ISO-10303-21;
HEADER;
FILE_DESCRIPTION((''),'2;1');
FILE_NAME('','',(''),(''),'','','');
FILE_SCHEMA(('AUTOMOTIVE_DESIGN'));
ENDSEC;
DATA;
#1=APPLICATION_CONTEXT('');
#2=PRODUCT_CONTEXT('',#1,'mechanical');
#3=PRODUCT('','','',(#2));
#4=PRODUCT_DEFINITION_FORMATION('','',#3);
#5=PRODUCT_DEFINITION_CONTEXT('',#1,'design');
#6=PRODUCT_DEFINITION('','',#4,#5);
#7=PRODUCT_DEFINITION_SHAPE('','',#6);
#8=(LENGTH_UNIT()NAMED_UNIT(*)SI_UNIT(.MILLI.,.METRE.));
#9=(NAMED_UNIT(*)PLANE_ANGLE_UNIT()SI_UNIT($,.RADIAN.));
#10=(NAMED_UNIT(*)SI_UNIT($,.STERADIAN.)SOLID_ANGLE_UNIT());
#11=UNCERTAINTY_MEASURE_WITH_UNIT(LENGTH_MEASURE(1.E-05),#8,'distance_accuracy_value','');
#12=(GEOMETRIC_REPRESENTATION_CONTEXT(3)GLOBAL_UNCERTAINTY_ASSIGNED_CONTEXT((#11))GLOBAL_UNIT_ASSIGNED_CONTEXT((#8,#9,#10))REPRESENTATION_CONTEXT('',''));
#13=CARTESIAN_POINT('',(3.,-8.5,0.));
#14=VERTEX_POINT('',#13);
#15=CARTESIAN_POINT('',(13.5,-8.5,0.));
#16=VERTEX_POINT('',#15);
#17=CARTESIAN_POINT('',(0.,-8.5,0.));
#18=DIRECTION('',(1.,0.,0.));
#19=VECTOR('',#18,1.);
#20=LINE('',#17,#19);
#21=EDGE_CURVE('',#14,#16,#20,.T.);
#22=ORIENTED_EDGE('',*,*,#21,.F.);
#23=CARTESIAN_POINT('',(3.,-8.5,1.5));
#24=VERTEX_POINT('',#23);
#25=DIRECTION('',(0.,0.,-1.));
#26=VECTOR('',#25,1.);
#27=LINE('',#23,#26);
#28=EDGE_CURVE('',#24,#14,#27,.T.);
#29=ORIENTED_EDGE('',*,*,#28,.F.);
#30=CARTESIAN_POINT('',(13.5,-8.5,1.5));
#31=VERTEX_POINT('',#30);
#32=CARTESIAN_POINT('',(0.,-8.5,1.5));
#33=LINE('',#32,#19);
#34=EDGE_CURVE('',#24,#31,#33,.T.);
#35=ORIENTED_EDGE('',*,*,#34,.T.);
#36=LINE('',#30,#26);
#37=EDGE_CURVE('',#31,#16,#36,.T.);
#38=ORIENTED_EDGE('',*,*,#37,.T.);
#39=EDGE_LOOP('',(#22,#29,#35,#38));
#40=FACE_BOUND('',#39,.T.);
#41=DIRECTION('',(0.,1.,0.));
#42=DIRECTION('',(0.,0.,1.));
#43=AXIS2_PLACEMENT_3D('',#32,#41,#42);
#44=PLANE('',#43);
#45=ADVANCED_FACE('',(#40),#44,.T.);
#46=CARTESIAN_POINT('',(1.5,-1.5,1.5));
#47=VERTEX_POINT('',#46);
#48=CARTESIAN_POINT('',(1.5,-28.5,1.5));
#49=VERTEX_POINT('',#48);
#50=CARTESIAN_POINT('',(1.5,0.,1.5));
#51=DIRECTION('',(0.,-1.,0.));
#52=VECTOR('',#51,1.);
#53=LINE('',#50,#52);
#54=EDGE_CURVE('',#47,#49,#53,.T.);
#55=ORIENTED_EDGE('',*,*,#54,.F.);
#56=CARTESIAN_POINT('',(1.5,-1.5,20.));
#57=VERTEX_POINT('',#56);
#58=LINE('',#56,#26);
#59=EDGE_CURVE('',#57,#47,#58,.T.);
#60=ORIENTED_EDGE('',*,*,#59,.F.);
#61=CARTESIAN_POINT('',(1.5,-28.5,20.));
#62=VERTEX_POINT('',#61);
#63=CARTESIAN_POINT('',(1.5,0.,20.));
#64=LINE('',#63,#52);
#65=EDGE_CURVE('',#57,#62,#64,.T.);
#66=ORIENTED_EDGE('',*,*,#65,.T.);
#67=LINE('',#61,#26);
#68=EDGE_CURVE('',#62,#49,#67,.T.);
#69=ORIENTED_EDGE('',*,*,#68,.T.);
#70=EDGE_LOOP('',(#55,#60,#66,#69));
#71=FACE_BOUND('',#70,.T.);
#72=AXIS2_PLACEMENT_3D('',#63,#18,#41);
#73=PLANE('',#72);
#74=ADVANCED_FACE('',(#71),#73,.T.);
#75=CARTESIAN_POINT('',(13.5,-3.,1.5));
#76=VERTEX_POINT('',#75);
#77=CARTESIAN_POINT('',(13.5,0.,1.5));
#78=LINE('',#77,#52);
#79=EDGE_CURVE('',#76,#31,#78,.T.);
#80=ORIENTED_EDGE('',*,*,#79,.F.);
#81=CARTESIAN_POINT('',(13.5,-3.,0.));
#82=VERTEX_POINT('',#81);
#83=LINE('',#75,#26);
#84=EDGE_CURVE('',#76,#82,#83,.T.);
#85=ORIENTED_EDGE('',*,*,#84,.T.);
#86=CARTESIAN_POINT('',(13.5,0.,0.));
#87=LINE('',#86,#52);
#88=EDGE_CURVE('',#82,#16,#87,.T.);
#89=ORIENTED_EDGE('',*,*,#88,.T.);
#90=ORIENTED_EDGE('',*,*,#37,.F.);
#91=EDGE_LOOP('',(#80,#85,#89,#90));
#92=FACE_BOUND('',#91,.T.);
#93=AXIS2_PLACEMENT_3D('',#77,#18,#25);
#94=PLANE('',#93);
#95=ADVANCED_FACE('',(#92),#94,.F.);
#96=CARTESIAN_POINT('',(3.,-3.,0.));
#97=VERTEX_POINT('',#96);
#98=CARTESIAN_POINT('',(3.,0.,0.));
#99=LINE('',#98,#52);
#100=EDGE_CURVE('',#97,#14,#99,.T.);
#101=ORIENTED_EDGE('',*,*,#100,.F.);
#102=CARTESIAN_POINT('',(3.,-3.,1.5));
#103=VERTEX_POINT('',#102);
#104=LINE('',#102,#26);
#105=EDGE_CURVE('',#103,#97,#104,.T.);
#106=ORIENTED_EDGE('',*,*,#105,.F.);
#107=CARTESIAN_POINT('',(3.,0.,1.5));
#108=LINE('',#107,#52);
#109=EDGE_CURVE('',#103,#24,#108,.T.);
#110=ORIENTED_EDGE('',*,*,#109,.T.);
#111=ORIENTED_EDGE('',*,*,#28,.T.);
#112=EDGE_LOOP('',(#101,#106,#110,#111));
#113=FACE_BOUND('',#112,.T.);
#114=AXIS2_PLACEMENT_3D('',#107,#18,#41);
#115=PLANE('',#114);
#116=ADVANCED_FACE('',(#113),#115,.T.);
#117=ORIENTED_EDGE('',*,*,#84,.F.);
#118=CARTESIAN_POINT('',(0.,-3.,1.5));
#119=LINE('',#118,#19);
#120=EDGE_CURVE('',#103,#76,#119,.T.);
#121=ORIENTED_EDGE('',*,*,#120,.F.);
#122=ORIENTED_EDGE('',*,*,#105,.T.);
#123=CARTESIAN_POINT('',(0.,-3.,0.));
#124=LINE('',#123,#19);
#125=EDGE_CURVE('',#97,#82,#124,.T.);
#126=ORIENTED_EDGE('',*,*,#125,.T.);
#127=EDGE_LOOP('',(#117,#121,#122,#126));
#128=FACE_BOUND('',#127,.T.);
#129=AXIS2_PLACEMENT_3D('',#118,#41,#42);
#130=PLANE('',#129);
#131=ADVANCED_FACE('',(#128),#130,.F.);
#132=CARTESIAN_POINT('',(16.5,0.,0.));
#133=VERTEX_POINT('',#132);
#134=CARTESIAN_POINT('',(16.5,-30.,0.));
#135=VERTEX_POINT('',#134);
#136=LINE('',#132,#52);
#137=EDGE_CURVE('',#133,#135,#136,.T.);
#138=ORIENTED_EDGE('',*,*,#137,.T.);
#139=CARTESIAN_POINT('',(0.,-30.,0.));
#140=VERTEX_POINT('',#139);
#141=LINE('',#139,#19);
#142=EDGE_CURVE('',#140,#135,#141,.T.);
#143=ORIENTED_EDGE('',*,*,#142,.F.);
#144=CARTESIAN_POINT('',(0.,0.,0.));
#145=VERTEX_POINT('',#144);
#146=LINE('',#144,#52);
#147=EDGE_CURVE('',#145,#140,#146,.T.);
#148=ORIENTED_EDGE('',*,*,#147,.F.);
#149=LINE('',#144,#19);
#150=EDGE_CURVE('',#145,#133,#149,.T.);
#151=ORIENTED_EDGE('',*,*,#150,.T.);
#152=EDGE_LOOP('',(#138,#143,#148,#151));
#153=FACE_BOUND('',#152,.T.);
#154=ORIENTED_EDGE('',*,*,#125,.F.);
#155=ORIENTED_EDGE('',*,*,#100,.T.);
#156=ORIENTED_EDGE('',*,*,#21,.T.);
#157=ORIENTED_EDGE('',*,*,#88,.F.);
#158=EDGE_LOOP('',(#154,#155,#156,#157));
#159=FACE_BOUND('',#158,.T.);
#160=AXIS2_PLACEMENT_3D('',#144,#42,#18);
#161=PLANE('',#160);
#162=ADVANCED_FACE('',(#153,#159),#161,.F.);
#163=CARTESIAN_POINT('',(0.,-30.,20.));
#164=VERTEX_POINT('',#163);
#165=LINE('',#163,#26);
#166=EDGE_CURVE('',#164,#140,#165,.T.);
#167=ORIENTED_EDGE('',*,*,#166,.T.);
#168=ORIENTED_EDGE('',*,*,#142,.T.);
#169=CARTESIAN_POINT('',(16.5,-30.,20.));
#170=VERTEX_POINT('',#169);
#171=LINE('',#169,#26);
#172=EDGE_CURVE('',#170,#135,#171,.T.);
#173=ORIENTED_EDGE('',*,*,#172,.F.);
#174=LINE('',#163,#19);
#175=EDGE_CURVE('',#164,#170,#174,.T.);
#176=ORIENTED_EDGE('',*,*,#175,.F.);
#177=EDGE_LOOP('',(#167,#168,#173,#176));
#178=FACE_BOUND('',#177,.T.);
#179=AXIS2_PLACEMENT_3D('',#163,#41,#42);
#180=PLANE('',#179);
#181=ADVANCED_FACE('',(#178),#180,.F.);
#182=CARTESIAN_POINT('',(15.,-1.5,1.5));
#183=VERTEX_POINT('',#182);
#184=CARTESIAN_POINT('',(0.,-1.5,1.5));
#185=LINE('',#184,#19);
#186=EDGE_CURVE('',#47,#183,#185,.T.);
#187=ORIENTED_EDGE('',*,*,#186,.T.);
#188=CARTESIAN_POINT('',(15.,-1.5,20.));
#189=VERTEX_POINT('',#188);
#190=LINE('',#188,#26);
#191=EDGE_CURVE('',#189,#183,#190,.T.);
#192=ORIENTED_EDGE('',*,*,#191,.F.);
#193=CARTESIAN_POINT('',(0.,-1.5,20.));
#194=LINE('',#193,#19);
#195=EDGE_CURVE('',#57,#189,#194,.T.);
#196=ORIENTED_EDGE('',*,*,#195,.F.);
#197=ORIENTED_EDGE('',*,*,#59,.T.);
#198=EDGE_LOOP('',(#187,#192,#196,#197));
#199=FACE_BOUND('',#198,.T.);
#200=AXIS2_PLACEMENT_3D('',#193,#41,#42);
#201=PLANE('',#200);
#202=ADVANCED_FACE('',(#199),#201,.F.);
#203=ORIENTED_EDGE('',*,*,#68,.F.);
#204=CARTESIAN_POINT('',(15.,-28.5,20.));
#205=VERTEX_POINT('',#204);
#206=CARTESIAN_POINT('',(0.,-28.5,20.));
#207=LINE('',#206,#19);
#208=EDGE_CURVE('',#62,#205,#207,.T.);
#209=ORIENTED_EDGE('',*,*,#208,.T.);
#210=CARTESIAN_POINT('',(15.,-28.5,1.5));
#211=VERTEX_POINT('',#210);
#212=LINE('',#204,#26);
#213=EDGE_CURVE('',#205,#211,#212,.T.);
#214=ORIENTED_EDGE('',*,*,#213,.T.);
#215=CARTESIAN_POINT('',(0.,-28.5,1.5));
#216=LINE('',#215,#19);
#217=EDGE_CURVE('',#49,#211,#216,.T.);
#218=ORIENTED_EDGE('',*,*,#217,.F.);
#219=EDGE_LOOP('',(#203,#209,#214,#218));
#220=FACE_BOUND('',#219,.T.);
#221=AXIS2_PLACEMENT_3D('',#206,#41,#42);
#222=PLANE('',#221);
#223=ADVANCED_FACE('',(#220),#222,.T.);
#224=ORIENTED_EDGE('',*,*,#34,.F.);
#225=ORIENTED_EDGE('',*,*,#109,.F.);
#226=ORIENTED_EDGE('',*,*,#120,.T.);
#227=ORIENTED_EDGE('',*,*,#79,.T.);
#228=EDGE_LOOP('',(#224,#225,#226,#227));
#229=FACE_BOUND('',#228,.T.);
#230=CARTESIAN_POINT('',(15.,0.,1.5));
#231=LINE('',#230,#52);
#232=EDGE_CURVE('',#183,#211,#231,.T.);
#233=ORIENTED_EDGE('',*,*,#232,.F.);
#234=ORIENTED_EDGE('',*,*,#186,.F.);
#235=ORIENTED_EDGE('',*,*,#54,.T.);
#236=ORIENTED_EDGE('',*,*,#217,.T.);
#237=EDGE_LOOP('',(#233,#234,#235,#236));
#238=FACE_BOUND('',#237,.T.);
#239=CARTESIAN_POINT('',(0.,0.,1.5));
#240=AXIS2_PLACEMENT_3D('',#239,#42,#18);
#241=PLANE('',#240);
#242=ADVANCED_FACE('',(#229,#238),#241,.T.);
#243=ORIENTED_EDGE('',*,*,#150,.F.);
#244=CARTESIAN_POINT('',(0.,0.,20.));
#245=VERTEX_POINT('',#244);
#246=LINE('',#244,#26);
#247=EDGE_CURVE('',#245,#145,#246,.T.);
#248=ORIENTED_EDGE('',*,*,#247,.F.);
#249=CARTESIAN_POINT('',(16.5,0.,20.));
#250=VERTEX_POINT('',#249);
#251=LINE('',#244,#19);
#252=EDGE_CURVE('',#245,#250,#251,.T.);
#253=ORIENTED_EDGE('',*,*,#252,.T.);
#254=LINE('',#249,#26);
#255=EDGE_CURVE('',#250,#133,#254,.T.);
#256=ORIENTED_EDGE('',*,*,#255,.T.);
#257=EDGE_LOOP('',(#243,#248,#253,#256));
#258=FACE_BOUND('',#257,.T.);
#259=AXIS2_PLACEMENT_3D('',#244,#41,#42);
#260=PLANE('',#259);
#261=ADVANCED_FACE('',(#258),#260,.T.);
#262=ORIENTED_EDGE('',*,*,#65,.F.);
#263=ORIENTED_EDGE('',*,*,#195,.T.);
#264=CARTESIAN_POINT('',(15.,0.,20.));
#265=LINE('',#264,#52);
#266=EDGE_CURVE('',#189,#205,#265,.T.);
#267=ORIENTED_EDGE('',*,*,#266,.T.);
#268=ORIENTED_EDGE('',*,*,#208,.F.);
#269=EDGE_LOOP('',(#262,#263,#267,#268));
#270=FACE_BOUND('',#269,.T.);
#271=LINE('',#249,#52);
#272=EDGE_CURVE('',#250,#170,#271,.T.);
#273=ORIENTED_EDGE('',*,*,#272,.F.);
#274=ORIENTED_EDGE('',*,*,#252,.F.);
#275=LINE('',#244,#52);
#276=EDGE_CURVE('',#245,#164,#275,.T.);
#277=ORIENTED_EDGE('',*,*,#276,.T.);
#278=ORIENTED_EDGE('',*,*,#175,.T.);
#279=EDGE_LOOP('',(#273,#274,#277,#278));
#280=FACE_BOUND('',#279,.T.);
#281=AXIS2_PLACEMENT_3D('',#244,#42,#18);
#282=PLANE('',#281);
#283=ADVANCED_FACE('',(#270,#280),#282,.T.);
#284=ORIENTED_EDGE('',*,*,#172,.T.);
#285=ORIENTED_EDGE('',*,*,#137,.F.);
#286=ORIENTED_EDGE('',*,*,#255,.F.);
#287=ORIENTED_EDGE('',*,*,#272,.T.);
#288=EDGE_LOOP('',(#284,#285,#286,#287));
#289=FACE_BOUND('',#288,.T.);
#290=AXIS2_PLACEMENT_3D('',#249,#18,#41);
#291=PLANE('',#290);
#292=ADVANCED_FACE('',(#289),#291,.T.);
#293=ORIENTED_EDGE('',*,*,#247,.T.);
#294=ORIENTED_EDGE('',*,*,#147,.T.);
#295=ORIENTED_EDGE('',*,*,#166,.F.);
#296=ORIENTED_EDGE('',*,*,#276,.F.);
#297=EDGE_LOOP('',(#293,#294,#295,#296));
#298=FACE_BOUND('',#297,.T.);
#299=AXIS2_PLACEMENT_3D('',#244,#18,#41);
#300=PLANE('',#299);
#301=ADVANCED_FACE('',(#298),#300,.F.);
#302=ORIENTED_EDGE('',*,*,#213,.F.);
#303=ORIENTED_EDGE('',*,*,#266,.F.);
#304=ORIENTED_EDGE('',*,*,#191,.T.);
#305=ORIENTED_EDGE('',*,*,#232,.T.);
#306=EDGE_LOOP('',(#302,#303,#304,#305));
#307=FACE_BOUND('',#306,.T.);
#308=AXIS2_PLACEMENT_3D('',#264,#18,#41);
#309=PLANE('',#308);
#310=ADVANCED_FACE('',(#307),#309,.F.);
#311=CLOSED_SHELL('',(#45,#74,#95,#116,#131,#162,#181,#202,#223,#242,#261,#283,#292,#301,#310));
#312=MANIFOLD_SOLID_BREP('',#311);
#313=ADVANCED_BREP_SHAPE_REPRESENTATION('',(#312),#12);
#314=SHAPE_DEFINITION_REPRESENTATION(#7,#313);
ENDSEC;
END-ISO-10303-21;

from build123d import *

# Parameters (mm, degrees)
SKETCH_1_W      = 13.5
SKETCH_1_H      = 27
SKETCH_1_W_2    = 10.5
SKETCH_1_H_2    = 5.5
EXTRUDE_1_DEPTH = 1.5
SKETCH_1_3_W    = 16.5
SKETCH_1_3_H    = 30
SKETCH_1_3_W_2  = 13.5
SKETCH_1_3_H_2  = 27
EXTRUDE_2_DEPTH = 20


with BuildPart() as part:
    # 스케치1 → 보스-돌출1 (new body)
    with BuildSketch(Plane.XY):
        with Locations((8.25, -15)):
            Rectangle(SKETCH_1_W, SKETCH_1_H)
        with Locations((8.25, -5.75)):
            Rectangle(SKETCH_1_W_2, SKETCH_1_H_2, mode=Mode.SUBTRACT)
    extrude(amount=EXTRUDE_1_DEPTH)

    # 스케치1<3> → 보스-돌출2 (add)
    with BuildSketch(Plane.XY):
        with Locations((8.25, -15)):
            Rectangle(SKETCH_1_3_W, SKETCH_1_3_H)
        with Locations((8.25, -15)):
            Rectangle(SKETCH_1_3_W_2, SKETCH_1_3_H_2, mode=Mode.SUBTRACT)
    extrude(amount=EXTRUDE_2_DEPTH)


solid = part.part
